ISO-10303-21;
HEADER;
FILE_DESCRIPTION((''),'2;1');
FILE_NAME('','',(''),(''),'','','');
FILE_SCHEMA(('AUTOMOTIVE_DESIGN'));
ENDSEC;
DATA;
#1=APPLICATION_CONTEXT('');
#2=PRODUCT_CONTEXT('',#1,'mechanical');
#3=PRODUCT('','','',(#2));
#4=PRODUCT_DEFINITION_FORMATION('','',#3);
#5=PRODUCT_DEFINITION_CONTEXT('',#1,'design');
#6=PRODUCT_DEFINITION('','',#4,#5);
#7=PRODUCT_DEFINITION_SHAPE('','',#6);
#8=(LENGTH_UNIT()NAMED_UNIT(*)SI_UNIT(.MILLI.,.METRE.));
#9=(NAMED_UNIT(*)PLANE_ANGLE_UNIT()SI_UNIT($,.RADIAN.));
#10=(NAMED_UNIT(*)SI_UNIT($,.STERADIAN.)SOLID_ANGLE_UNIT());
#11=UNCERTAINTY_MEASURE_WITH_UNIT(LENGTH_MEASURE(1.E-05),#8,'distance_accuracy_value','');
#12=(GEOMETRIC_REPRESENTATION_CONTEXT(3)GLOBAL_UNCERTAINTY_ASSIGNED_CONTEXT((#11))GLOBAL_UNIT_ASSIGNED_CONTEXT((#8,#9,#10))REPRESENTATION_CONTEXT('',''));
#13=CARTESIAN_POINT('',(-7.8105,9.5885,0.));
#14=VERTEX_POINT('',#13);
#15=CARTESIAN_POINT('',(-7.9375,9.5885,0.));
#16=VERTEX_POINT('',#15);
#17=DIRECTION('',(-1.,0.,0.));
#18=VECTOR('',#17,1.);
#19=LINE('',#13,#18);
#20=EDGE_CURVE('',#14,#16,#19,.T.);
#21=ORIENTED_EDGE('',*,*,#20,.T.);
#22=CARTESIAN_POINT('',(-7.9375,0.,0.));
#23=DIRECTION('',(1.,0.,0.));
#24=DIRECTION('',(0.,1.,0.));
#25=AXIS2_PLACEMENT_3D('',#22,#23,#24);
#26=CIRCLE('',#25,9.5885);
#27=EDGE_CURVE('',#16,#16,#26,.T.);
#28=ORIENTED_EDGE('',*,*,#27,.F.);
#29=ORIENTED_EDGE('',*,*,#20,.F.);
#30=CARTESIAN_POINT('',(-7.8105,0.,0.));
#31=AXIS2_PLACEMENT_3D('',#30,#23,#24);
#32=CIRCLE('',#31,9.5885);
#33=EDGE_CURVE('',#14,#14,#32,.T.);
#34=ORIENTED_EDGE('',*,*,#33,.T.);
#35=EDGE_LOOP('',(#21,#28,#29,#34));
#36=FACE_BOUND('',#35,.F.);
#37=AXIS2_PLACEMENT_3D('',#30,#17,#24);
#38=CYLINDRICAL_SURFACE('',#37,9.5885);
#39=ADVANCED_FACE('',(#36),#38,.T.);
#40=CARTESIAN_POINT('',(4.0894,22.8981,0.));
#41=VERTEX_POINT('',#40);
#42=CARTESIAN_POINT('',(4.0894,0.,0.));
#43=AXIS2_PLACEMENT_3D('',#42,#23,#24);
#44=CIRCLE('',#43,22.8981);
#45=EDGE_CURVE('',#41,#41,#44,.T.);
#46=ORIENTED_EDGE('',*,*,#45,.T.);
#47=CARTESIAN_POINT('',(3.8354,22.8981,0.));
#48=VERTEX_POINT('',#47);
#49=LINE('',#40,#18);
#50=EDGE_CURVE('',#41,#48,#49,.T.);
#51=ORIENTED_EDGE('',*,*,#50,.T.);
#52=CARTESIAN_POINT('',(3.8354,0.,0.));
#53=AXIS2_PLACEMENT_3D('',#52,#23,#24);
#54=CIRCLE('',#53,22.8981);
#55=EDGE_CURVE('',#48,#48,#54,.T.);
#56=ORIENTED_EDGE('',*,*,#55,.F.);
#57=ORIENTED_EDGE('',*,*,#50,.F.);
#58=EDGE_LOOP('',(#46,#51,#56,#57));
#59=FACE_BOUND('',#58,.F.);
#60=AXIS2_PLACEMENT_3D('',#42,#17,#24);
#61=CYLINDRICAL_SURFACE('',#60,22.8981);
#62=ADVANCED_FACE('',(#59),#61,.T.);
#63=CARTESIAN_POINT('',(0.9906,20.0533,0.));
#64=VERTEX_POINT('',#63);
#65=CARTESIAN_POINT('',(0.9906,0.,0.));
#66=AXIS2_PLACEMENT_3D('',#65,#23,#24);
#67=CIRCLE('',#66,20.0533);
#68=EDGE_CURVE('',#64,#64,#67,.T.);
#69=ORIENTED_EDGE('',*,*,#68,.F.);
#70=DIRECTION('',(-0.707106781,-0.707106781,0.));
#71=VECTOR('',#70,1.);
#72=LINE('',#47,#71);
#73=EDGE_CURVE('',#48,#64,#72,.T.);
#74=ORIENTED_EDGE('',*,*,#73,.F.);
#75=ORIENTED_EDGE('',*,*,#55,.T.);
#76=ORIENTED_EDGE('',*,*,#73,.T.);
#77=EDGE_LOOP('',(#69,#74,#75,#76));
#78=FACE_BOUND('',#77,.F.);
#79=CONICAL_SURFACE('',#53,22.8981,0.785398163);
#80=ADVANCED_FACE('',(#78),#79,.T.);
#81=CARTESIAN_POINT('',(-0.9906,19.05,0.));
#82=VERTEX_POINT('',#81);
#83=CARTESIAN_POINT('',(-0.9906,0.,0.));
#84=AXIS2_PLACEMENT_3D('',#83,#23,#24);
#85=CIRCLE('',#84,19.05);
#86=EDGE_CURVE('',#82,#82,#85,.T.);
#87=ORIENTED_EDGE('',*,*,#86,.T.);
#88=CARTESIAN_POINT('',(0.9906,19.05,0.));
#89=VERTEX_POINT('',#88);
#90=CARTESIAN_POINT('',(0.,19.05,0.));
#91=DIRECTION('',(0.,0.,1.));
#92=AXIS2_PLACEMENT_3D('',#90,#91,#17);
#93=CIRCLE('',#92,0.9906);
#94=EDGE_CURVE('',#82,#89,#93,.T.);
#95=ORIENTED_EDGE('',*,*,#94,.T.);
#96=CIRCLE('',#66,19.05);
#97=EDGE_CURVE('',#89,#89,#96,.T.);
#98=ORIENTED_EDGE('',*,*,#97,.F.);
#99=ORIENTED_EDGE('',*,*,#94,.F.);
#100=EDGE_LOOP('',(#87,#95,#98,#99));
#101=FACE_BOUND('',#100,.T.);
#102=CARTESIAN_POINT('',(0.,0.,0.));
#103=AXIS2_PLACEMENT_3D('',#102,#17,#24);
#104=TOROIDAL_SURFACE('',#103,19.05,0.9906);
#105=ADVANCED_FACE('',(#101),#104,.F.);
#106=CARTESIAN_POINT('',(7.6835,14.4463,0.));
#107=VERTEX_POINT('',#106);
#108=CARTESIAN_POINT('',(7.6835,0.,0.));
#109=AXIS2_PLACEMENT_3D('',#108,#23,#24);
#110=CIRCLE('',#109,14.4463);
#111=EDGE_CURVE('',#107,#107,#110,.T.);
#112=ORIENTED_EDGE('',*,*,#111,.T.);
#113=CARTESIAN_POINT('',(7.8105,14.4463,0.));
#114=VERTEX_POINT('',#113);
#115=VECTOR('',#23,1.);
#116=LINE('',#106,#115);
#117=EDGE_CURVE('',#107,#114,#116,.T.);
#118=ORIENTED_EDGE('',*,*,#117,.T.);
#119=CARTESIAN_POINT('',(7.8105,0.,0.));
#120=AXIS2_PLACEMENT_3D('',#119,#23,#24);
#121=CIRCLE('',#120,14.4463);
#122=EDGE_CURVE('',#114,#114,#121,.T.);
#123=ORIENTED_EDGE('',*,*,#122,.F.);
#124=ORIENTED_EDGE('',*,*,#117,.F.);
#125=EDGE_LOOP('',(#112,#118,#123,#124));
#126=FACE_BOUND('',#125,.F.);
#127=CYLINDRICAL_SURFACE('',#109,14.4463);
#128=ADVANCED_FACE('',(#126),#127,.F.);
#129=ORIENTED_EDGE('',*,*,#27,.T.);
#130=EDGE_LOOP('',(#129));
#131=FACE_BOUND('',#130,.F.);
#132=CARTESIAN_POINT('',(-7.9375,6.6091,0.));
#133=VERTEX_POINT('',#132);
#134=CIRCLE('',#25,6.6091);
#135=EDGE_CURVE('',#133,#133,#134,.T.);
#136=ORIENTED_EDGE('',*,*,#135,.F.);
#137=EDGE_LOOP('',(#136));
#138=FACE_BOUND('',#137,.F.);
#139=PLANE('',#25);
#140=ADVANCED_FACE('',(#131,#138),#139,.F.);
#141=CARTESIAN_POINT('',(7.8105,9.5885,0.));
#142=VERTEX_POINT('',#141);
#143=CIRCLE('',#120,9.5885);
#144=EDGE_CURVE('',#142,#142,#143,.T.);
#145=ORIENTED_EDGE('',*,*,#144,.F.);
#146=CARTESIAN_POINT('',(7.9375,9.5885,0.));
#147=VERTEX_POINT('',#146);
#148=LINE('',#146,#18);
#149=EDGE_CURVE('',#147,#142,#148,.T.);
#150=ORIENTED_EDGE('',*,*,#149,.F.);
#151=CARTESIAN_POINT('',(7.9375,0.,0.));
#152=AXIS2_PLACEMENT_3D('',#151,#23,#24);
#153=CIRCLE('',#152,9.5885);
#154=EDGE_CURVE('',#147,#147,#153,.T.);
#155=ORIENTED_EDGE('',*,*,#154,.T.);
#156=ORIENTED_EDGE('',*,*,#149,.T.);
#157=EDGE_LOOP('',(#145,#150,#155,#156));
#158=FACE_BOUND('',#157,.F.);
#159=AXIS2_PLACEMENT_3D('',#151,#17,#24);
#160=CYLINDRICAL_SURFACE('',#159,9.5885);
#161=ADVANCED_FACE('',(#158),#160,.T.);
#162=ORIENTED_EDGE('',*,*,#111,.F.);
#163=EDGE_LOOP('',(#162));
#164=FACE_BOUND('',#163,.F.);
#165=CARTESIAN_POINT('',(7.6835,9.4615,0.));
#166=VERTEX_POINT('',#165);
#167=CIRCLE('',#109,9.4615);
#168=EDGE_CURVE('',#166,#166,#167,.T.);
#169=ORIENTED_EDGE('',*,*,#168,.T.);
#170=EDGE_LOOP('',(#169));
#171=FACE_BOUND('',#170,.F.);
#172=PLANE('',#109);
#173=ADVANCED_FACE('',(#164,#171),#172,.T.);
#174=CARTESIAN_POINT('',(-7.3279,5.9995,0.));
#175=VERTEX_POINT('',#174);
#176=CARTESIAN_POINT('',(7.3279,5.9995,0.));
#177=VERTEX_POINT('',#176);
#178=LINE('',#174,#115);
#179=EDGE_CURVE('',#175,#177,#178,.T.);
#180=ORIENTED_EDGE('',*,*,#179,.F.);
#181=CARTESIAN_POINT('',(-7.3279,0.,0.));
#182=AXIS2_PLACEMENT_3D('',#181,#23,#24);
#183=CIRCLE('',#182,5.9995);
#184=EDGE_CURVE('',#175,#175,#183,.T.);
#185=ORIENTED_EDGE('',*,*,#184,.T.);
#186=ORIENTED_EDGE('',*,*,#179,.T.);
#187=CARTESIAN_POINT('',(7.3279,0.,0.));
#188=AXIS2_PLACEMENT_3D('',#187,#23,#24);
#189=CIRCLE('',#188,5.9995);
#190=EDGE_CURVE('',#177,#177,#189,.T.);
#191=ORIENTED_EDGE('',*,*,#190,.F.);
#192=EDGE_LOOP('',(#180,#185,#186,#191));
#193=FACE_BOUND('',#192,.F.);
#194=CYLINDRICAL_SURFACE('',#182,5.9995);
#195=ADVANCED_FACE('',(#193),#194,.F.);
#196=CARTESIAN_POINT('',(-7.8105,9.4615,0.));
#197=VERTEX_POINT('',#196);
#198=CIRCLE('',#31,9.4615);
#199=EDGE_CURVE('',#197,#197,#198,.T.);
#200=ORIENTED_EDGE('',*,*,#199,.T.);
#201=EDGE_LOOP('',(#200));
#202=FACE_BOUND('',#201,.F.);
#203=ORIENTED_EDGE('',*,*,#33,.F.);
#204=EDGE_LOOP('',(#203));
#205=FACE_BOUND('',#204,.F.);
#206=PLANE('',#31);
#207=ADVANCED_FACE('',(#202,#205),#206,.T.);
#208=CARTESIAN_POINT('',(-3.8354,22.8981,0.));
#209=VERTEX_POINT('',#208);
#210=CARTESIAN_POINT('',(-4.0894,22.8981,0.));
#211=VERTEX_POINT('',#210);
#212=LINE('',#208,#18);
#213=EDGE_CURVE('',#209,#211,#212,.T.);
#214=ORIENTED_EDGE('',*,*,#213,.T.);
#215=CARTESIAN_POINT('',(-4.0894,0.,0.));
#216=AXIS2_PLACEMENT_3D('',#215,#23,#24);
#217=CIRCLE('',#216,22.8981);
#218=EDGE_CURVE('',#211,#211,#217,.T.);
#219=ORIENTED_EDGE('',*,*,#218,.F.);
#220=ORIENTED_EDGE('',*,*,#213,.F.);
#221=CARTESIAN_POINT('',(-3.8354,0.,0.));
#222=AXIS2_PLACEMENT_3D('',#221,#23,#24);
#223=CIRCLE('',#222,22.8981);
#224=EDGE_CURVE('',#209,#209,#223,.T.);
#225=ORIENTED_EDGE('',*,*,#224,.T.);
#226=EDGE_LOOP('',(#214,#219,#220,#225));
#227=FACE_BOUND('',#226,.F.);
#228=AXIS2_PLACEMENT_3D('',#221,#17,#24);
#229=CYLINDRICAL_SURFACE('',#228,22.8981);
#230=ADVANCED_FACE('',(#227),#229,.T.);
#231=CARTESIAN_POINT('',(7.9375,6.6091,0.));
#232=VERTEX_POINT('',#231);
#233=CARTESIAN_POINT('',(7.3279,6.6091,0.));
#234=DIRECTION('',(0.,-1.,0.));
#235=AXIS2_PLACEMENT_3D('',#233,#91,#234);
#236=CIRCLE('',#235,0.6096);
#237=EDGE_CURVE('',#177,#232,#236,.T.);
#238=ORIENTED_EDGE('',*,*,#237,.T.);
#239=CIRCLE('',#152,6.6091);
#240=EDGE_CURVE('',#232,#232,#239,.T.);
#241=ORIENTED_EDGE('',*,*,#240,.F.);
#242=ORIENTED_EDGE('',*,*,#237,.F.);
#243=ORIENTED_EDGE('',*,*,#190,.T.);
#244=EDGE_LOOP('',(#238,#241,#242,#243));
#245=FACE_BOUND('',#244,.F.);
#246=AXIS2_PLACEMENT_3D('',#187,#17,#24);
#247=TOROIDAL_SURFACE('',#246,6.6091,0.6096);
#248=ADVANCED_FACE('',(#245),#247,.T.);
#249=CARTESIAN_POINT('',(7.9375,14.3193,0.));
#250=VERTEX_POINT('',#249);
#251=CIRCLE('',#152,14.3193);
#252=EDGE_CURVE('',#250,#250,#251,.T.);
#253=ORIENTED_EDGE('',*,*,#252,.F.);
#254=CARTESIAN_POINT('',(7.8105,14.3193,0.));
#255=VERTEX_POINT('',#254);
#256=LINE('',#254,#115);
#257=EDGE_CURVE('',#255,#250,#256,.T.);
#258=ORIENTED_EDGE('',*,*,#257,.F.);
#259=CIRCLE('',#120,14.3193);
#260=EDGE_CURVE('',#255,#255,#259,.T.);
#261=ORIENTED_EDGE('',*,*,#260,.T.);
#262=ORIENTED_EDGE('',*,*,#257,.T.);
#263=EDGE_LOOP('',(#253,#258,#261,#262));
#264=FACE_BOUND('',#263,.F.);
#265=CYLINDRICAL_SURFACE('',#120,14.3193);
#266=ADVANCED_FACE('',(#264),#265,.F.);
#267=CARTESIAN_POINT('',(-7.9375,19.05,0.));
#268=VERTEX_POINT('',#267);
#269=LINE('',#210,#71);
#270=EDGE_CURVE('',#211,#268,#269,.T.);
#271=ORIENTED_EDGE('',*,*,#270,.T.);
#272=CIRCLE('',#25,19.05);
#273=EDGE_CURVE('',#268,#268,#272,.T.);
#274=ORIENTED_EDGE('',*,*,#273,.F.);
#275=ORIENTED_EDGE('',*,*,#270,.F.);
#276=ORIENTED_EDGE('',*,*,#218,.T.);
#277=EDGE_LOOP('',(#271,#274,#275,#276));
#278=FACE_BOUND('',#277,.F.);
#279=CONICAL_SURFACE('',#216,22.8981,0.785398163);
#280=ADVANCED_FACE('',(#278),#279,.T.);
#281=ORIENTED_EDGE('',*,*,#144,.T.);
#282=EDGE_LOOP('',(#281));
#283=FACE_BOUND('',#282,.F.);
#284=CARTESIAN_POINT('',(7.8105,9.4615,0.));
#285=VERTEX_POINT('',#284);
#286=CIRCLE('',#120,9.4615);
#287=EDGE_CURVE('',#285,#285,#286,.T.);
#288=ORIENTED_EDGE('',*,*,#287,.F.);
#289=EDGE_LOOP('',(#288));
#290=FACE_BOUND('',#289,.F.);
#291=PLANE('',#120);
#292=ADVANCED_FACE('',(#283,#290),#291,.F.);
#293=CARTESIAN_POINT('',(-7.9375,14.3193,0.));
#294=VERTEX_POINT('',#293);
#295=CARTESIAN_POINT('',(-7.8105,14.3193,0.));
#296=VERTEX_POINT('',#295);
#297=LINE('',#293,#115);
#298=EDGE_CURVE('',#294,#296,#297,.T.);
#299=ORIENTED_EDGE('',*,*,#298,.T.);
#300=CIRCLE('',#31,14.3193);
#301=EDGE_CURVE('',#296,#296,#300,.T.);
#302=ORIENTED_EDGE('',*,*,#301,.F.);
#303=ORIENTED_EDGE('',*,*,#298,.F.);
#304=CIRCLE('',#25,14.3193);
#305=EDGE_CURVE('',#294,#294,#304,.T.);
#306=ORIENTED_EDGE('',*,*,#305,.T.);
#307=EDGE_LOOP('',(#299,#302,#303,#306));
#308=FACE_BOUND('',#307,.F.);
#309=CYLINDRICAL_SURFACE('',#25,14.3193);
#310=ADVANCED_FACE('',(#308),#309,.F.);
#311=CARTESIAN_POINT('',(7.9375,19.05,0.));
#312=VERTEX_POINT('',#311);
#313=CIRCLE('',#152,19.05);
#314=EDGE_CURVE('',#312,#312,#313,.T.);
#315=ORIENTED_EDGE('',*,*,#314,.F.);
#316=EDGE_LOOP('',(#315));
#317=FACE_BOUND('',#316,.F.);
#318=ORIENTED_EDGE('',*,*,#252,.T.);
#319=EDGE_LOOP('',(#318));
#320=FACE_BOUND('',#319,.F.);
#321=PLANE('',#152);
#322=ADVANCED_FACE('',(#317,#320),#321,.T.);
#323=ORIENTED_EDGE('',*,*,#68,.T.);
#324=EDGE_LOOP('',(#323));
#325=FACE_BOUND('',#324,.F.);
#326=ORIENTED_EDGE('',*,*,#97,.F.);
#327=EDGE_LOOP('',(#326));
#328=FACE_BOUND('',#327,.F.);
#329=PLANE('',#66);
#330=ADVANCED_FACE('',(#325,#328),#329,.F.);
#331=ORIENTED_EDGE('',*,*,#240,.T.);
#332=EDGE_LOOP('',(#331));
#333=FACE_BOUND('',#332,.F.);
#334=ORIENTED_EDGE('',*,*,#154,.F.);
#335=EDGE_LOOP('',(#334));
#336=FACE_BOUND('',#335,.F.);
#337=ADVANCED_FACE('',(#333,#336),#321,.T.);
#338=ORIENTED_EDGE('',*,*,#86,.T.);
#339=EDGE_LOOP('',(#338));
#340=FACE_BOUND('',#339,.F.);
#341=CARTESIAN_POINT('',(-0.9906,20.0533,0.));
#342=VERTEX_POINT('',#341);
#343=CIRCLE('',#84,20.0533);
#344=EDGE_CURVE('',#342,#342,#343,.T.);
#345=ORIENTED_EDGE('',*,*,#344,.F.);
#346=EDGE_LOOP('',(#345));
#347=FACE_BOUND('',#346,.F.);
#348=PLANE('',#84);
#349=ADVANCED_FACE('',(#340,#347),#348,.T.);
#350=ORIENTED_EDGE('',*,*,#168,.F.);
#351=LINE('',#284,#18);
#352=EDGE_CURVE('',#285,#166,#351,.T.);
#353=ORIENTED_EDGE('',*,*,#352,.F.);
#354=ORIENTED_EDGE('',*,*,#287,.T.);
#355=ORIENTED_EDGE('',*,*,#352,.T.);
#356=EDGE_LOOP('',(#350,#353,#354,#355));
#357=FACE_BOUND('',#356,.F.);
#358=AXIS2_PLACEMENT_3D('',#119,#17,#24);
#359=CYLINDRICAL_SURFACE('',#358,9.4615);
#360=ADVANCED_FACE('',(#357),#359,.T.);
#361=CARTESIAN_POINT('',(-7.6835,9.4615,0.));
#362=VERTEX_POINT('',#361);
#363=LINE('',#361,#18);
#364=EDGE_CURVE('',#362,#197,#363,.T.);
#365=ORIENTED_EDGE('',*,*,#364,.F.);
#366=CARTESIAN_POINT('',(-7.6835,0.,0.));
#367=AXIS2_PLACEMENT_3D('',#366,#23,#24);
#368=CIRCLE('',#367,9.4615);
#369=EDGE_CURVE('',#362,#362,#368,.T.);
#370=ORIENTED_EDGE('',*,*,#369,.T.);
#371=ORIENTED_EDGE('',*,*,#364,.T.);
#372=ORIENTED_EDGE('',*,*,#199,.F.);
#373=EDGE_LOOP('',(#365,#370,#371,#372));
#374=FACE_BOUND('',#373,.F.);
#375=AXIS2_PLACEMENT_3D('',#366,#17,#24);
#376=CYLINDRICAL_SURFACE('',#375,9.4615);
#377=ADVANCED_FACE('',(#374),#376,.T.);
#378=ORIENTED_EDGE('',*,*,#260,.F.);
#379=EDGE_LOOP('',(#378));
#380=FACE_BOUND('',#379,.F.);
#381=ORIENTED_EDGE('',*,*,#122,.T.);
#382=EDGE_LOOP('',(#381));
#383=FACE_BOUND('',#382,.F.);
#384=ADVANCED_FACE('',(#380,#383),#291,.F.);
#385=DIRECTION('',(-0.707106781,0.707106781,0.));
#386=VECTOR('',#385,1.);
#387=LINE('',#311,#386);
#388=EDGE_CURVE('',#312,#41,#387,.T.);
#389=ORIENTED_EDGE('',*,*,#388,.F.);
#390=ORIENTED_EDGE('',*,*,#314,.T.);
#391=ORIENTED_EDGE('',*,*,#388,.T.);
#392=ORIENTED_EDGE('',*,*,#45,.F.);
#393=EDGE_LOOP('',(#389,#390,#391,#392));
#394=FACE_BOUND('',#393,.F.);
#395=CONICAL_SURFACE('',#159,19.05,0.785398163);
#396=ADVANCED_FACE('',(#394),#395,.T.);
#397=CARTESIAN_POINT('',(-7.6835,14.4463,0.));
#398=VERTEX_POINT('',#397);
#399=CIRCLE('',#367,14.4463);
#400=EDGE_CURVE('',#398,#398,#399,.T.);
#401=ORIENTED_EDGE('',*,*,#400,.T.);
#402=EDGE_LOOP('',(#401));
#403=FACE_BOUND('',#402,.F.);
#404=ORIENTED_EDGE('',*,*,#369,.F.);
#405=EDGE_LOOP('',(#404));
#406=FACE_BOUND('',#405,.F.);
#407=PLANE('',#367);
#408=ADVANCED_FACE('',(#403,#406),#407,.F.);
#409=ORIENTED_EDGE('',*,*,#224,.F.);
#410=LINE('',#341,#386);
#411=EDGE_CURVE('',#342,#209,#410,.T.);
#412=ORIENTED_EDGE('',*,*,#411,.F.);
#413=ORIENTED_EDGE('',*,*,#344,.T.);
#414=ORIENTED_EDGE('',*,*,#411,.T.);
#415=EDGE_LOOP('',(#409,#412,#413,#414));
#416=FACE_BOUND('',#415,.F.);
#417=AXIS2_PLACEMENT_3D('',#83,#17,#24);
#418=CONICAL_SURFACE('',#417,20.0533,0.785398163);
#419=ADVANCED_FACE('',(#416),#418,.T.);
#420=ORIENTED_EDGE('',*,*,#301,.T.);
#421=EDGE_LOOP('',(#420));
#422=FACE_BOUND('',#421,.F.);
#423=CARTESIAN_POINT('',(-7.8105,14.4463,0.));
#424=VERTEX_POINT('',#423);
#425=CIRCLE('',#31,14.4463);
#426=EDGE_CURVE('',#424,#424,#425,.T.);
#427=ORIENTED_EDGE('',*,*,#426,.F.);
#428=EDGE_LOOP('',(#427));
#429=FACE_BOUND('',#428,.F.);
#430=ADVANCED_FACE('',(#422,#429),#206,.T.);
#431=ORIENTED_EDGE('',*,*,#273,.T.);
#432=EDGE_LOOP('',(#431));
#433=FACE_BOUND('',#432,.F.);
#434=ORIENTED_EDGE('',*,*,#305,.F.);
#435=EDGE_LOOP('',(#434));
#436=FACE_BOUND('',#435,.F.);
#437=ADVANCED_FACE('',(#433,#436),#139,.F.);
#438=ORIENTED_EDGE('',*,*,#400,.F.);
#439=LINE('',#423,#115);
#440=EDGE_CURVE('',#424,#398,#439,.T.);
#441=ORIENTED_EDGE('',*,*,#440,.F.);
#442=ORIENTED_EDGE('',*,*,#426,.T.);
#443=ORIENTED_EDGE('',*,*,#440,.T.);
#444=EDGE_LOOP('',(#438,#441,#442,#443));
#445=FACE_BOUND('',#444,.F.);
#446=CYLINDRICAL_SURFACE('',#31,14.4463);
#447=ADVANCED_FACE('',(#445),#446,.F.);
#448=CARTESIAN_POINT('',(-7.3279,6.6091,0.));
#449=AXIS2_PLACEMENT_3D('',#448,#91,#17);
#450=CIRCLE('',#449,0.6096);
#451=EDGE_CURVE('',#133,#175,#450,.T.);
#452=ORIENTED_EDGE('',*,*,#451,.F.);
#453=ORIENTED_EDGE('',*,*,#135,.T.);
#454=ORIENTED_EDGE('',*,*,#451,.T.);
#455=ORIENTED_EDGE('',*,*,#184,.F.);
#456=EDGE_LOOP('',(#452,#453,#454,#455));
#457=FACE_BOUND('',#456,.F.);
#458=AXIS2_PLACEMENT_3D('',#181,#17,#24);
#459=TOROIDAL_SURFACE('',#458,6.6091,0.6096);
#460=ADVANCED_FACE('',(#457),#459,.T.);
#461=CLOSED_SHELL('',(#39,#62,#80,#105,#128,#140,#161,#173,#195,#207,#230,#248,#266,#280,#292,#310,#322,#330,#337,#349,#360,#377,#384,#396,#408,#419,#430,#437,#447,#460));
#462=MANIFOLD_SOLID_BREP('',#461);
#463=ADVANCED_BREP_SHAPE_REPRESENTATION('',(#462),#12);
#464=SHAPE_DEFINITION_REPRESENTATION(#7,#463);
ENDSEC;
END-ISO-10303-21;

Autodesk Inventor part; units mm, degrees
sketch "Sketch_1" plane through (0, 0, 0) normal (0, 0, 1) x (1, 0, 0)
  line L0 (7.3279, 0) -> (-7.3279, 0)
  line L1 (-7.9375, 9.5885) -> (-7.9375, 6.6091)
  arc A0 (-7.9375, 6.6091) -> (-7.3279, 5.9995) centre (-7.3279, 6.6091) ccw
  line L2 (-7.3279, 5.9995) -> (7.3279, 5.9995)
  arc A1 (7.3279, 5.9995) -> (7.9375, 6.6091) centre (7.3279, 6.6091) ccw
  line L3 (7.9375, 6.6091) -> (7.9375, 9.5885)
  line L4 (7.9375, 9.5885) -> (7.8105, 9.5885)
  line L5 (7.8105, 9.5885) -> (7.8105, 9.4615)
  line L6 (7.8105, 9.4615) -> (7.6835, 9.4615)
  line L7 (7.6835, 9.4615) -> (7.6835, 14.4463)
  line L8 (7.6835, 14.4463) -> (7.8105, 14.4463)
  line L9 (7.8105, 14.4463) -> (7.8105, 14.3193)
  line L10 (7.8105, 14.3193) -> (7.9375, 14.3193)
  line L11 (7.9375, 14.3193) -> (7.9375, 19.05)
  line L12 (7.9375, 19.05) -> (4.0894, 22.8981)
  line L13 (4.0894, 22.8981) -> (3.8354, 22.8981)
  line L14 (3.8354, 22.8981) -> (0.9906, 20.0533)
  line L15 (0.9906, 20.0533) -> (0.9906, 19.05)
  arc A2 (-0.9906, 19.05) -> (0.9906, 19.05) centre (0, 19.05) ccw
  line L16 (-0.9906, 19.05) -> (-0.9906, 20.0533)
  line L17 (-0.9906, 20.0533) -> (-3.8354, 22.8981)
  line L18 (-3.8354, 22.8981) -> (-4.0894, 22.8981)
  line L19 (-4.0894, 22.8981) -> (-7.9375, 19.05)
  line L20 (-7.9375, 19.05) -> (-7.9375, 14.3193)
  line L21 (-7.9375, 14.3193) -> (-7.8105, 14.3193)
  line L22 (-7.8105, 14.3193) -> (-7.8105, 14.4463)
  line L23 (-7.8105, 14.4463) -> (-7.6835, 14.4463)
  line L24 (-7.6835, 14.4463) -> (-7.6835, 9.4615)
  line L25 (-7.6835, 9.4615) -> (-7.8105, 9.4615)
  line L26 (-7.8105, 9.4615) -> (-7.8105, 9.5885)
  line L27 (-7.8105, 9.5885) -> (-7.9375, 9.5885)
revolve "Revolution1" add sketch "Sketch_1" angle 360 about axis through (7.3279, 0, 0) along (1, 0, 0)
ref_plane "b_XY" through (-7.3279, 5.9995, 0) normal (0, 0, 1) x (1, 0, 0)
ref_plane "b_YZ" through (-7.3279, 5.9995, 0) normal (1, 0, 0) x (0, 1, 0)
ref_plane "b_ZX" through (-7.3279, 5.9995, 0) normal (0, 1, 0) x (0, 0, 1)
ref_plane "b1_XY" through (-7.3279, -5.9995, 0) normal (0, 0, 1) x (1, 0, 0)
ref_plane "b1_YZ" through (-7.3279, -5.9995, 0) normal (1, 0, 0) x (0, 1, 0)
ref_plane "b1_ZX" through (-7.3279, -5.9995, 0) normal (0, 1, 0) x (0, 0, 1)
ref_plane "d_XY" through (-3.9688, 22.8981, 0) normal (0, 0, 1) x (1, 0, 0)
ref_plane "d_YZ" through (-3.9688, 22.8981, 0) normal (1, 0, 0) x (0, 1, 0)
ref_plane "d_ZX" through (-3.9688, 22.8981, 0) normal (0, 1, 0) x (0, 0, 1)
ref_plane "d1_XY" through (-3.9688, -22.8981, 0) normal (0, 0, 1) x (1, 0, 0)
ref_plane "d1_YZ" through (-3.9688, -22.8981, 0) normal (1, 0, 0) x (0, 1, 0)
ref_plane "d1_ZX" through (-3.9688, -22.8981, 0) normal (0, 1, 0) x (0, 0, 1)
ref_plane "vri_XY" through (0, 19.05, 0) normal (0, 0, 1) x (1, 0, 0)
ref_plane "vri_YZ" through (0, 19.05, 0) normal (1, 0, 0) x (0, 1, 0)
ref_plane "vri_ZX" through (0, 19.05, 0) normal (0, 1, 0) x (0, 0, 1)
ref_plane "vri1_XY" through (7.9375, 0, 0) normal (0, 0, 1) x (1, 0, 0)
ref_plane "vri1_YZ" through (7.9375, 0, 0) normal (1, 0, 0) x (0, 1, 0)
ref_plane "vri1_ZX" through (7.9375, 0, 0) normal (0, 1, 0) x (0, 0, 1)
ref_plane "w_XY" through (-7.9375, 19.05, 0) normal (0, 0, 1) x (1, 0, 0)
ref_plane "w_YZ" through (-7.9375, 19.05, 0) normal (1, 0, 0) x (0, 1, 0)
ref_plane "w_ZX" through (-7.9375, 19.05, 0) normal (0, 1, 0) x (0, 0, 1)
ref_plane "w1_XY" through (7.9375, 19.05, 0) normal (0, 0, 1) x (1, 0, 0)
ref_plane "w1_YZ" through (7.9375, 19.05, 0) normal (1, 0, 0) x (0, 1, 0)
ref_plane "w1_ZX" through (7.9375, 19.05, 0) normal (0, 1, 0) x (0, 0, 1)
ref_plane "wheel_XY" through (7.9375, 0, 0) normal (1, 0, 0) x (0, 0, -1)
ref_plane "wheel_YZ" through (7.9375, 0, 0) normal (0, 0, -1) x (0, 1, 0)
ref_plane "wheel_ZX" through (7.9375, 0, 0) normal (0, 1, 0) x (1, 0, 0)
ref_plane "wheel2_XY" through (-7.9375, 0, 0) normal (1, 0, 0) x (0, 0, -1)
ref_plane "wheel2_YZ" through (-7.9375, 0, 0) normal (0, 0, -1) x (0, 1, 0)
ref_plane "wheel2_ZX" through (-7.9375, 0, 0) normal (0, 1, 0) x (1, 0, 0)
properties part number "W3SSX"
